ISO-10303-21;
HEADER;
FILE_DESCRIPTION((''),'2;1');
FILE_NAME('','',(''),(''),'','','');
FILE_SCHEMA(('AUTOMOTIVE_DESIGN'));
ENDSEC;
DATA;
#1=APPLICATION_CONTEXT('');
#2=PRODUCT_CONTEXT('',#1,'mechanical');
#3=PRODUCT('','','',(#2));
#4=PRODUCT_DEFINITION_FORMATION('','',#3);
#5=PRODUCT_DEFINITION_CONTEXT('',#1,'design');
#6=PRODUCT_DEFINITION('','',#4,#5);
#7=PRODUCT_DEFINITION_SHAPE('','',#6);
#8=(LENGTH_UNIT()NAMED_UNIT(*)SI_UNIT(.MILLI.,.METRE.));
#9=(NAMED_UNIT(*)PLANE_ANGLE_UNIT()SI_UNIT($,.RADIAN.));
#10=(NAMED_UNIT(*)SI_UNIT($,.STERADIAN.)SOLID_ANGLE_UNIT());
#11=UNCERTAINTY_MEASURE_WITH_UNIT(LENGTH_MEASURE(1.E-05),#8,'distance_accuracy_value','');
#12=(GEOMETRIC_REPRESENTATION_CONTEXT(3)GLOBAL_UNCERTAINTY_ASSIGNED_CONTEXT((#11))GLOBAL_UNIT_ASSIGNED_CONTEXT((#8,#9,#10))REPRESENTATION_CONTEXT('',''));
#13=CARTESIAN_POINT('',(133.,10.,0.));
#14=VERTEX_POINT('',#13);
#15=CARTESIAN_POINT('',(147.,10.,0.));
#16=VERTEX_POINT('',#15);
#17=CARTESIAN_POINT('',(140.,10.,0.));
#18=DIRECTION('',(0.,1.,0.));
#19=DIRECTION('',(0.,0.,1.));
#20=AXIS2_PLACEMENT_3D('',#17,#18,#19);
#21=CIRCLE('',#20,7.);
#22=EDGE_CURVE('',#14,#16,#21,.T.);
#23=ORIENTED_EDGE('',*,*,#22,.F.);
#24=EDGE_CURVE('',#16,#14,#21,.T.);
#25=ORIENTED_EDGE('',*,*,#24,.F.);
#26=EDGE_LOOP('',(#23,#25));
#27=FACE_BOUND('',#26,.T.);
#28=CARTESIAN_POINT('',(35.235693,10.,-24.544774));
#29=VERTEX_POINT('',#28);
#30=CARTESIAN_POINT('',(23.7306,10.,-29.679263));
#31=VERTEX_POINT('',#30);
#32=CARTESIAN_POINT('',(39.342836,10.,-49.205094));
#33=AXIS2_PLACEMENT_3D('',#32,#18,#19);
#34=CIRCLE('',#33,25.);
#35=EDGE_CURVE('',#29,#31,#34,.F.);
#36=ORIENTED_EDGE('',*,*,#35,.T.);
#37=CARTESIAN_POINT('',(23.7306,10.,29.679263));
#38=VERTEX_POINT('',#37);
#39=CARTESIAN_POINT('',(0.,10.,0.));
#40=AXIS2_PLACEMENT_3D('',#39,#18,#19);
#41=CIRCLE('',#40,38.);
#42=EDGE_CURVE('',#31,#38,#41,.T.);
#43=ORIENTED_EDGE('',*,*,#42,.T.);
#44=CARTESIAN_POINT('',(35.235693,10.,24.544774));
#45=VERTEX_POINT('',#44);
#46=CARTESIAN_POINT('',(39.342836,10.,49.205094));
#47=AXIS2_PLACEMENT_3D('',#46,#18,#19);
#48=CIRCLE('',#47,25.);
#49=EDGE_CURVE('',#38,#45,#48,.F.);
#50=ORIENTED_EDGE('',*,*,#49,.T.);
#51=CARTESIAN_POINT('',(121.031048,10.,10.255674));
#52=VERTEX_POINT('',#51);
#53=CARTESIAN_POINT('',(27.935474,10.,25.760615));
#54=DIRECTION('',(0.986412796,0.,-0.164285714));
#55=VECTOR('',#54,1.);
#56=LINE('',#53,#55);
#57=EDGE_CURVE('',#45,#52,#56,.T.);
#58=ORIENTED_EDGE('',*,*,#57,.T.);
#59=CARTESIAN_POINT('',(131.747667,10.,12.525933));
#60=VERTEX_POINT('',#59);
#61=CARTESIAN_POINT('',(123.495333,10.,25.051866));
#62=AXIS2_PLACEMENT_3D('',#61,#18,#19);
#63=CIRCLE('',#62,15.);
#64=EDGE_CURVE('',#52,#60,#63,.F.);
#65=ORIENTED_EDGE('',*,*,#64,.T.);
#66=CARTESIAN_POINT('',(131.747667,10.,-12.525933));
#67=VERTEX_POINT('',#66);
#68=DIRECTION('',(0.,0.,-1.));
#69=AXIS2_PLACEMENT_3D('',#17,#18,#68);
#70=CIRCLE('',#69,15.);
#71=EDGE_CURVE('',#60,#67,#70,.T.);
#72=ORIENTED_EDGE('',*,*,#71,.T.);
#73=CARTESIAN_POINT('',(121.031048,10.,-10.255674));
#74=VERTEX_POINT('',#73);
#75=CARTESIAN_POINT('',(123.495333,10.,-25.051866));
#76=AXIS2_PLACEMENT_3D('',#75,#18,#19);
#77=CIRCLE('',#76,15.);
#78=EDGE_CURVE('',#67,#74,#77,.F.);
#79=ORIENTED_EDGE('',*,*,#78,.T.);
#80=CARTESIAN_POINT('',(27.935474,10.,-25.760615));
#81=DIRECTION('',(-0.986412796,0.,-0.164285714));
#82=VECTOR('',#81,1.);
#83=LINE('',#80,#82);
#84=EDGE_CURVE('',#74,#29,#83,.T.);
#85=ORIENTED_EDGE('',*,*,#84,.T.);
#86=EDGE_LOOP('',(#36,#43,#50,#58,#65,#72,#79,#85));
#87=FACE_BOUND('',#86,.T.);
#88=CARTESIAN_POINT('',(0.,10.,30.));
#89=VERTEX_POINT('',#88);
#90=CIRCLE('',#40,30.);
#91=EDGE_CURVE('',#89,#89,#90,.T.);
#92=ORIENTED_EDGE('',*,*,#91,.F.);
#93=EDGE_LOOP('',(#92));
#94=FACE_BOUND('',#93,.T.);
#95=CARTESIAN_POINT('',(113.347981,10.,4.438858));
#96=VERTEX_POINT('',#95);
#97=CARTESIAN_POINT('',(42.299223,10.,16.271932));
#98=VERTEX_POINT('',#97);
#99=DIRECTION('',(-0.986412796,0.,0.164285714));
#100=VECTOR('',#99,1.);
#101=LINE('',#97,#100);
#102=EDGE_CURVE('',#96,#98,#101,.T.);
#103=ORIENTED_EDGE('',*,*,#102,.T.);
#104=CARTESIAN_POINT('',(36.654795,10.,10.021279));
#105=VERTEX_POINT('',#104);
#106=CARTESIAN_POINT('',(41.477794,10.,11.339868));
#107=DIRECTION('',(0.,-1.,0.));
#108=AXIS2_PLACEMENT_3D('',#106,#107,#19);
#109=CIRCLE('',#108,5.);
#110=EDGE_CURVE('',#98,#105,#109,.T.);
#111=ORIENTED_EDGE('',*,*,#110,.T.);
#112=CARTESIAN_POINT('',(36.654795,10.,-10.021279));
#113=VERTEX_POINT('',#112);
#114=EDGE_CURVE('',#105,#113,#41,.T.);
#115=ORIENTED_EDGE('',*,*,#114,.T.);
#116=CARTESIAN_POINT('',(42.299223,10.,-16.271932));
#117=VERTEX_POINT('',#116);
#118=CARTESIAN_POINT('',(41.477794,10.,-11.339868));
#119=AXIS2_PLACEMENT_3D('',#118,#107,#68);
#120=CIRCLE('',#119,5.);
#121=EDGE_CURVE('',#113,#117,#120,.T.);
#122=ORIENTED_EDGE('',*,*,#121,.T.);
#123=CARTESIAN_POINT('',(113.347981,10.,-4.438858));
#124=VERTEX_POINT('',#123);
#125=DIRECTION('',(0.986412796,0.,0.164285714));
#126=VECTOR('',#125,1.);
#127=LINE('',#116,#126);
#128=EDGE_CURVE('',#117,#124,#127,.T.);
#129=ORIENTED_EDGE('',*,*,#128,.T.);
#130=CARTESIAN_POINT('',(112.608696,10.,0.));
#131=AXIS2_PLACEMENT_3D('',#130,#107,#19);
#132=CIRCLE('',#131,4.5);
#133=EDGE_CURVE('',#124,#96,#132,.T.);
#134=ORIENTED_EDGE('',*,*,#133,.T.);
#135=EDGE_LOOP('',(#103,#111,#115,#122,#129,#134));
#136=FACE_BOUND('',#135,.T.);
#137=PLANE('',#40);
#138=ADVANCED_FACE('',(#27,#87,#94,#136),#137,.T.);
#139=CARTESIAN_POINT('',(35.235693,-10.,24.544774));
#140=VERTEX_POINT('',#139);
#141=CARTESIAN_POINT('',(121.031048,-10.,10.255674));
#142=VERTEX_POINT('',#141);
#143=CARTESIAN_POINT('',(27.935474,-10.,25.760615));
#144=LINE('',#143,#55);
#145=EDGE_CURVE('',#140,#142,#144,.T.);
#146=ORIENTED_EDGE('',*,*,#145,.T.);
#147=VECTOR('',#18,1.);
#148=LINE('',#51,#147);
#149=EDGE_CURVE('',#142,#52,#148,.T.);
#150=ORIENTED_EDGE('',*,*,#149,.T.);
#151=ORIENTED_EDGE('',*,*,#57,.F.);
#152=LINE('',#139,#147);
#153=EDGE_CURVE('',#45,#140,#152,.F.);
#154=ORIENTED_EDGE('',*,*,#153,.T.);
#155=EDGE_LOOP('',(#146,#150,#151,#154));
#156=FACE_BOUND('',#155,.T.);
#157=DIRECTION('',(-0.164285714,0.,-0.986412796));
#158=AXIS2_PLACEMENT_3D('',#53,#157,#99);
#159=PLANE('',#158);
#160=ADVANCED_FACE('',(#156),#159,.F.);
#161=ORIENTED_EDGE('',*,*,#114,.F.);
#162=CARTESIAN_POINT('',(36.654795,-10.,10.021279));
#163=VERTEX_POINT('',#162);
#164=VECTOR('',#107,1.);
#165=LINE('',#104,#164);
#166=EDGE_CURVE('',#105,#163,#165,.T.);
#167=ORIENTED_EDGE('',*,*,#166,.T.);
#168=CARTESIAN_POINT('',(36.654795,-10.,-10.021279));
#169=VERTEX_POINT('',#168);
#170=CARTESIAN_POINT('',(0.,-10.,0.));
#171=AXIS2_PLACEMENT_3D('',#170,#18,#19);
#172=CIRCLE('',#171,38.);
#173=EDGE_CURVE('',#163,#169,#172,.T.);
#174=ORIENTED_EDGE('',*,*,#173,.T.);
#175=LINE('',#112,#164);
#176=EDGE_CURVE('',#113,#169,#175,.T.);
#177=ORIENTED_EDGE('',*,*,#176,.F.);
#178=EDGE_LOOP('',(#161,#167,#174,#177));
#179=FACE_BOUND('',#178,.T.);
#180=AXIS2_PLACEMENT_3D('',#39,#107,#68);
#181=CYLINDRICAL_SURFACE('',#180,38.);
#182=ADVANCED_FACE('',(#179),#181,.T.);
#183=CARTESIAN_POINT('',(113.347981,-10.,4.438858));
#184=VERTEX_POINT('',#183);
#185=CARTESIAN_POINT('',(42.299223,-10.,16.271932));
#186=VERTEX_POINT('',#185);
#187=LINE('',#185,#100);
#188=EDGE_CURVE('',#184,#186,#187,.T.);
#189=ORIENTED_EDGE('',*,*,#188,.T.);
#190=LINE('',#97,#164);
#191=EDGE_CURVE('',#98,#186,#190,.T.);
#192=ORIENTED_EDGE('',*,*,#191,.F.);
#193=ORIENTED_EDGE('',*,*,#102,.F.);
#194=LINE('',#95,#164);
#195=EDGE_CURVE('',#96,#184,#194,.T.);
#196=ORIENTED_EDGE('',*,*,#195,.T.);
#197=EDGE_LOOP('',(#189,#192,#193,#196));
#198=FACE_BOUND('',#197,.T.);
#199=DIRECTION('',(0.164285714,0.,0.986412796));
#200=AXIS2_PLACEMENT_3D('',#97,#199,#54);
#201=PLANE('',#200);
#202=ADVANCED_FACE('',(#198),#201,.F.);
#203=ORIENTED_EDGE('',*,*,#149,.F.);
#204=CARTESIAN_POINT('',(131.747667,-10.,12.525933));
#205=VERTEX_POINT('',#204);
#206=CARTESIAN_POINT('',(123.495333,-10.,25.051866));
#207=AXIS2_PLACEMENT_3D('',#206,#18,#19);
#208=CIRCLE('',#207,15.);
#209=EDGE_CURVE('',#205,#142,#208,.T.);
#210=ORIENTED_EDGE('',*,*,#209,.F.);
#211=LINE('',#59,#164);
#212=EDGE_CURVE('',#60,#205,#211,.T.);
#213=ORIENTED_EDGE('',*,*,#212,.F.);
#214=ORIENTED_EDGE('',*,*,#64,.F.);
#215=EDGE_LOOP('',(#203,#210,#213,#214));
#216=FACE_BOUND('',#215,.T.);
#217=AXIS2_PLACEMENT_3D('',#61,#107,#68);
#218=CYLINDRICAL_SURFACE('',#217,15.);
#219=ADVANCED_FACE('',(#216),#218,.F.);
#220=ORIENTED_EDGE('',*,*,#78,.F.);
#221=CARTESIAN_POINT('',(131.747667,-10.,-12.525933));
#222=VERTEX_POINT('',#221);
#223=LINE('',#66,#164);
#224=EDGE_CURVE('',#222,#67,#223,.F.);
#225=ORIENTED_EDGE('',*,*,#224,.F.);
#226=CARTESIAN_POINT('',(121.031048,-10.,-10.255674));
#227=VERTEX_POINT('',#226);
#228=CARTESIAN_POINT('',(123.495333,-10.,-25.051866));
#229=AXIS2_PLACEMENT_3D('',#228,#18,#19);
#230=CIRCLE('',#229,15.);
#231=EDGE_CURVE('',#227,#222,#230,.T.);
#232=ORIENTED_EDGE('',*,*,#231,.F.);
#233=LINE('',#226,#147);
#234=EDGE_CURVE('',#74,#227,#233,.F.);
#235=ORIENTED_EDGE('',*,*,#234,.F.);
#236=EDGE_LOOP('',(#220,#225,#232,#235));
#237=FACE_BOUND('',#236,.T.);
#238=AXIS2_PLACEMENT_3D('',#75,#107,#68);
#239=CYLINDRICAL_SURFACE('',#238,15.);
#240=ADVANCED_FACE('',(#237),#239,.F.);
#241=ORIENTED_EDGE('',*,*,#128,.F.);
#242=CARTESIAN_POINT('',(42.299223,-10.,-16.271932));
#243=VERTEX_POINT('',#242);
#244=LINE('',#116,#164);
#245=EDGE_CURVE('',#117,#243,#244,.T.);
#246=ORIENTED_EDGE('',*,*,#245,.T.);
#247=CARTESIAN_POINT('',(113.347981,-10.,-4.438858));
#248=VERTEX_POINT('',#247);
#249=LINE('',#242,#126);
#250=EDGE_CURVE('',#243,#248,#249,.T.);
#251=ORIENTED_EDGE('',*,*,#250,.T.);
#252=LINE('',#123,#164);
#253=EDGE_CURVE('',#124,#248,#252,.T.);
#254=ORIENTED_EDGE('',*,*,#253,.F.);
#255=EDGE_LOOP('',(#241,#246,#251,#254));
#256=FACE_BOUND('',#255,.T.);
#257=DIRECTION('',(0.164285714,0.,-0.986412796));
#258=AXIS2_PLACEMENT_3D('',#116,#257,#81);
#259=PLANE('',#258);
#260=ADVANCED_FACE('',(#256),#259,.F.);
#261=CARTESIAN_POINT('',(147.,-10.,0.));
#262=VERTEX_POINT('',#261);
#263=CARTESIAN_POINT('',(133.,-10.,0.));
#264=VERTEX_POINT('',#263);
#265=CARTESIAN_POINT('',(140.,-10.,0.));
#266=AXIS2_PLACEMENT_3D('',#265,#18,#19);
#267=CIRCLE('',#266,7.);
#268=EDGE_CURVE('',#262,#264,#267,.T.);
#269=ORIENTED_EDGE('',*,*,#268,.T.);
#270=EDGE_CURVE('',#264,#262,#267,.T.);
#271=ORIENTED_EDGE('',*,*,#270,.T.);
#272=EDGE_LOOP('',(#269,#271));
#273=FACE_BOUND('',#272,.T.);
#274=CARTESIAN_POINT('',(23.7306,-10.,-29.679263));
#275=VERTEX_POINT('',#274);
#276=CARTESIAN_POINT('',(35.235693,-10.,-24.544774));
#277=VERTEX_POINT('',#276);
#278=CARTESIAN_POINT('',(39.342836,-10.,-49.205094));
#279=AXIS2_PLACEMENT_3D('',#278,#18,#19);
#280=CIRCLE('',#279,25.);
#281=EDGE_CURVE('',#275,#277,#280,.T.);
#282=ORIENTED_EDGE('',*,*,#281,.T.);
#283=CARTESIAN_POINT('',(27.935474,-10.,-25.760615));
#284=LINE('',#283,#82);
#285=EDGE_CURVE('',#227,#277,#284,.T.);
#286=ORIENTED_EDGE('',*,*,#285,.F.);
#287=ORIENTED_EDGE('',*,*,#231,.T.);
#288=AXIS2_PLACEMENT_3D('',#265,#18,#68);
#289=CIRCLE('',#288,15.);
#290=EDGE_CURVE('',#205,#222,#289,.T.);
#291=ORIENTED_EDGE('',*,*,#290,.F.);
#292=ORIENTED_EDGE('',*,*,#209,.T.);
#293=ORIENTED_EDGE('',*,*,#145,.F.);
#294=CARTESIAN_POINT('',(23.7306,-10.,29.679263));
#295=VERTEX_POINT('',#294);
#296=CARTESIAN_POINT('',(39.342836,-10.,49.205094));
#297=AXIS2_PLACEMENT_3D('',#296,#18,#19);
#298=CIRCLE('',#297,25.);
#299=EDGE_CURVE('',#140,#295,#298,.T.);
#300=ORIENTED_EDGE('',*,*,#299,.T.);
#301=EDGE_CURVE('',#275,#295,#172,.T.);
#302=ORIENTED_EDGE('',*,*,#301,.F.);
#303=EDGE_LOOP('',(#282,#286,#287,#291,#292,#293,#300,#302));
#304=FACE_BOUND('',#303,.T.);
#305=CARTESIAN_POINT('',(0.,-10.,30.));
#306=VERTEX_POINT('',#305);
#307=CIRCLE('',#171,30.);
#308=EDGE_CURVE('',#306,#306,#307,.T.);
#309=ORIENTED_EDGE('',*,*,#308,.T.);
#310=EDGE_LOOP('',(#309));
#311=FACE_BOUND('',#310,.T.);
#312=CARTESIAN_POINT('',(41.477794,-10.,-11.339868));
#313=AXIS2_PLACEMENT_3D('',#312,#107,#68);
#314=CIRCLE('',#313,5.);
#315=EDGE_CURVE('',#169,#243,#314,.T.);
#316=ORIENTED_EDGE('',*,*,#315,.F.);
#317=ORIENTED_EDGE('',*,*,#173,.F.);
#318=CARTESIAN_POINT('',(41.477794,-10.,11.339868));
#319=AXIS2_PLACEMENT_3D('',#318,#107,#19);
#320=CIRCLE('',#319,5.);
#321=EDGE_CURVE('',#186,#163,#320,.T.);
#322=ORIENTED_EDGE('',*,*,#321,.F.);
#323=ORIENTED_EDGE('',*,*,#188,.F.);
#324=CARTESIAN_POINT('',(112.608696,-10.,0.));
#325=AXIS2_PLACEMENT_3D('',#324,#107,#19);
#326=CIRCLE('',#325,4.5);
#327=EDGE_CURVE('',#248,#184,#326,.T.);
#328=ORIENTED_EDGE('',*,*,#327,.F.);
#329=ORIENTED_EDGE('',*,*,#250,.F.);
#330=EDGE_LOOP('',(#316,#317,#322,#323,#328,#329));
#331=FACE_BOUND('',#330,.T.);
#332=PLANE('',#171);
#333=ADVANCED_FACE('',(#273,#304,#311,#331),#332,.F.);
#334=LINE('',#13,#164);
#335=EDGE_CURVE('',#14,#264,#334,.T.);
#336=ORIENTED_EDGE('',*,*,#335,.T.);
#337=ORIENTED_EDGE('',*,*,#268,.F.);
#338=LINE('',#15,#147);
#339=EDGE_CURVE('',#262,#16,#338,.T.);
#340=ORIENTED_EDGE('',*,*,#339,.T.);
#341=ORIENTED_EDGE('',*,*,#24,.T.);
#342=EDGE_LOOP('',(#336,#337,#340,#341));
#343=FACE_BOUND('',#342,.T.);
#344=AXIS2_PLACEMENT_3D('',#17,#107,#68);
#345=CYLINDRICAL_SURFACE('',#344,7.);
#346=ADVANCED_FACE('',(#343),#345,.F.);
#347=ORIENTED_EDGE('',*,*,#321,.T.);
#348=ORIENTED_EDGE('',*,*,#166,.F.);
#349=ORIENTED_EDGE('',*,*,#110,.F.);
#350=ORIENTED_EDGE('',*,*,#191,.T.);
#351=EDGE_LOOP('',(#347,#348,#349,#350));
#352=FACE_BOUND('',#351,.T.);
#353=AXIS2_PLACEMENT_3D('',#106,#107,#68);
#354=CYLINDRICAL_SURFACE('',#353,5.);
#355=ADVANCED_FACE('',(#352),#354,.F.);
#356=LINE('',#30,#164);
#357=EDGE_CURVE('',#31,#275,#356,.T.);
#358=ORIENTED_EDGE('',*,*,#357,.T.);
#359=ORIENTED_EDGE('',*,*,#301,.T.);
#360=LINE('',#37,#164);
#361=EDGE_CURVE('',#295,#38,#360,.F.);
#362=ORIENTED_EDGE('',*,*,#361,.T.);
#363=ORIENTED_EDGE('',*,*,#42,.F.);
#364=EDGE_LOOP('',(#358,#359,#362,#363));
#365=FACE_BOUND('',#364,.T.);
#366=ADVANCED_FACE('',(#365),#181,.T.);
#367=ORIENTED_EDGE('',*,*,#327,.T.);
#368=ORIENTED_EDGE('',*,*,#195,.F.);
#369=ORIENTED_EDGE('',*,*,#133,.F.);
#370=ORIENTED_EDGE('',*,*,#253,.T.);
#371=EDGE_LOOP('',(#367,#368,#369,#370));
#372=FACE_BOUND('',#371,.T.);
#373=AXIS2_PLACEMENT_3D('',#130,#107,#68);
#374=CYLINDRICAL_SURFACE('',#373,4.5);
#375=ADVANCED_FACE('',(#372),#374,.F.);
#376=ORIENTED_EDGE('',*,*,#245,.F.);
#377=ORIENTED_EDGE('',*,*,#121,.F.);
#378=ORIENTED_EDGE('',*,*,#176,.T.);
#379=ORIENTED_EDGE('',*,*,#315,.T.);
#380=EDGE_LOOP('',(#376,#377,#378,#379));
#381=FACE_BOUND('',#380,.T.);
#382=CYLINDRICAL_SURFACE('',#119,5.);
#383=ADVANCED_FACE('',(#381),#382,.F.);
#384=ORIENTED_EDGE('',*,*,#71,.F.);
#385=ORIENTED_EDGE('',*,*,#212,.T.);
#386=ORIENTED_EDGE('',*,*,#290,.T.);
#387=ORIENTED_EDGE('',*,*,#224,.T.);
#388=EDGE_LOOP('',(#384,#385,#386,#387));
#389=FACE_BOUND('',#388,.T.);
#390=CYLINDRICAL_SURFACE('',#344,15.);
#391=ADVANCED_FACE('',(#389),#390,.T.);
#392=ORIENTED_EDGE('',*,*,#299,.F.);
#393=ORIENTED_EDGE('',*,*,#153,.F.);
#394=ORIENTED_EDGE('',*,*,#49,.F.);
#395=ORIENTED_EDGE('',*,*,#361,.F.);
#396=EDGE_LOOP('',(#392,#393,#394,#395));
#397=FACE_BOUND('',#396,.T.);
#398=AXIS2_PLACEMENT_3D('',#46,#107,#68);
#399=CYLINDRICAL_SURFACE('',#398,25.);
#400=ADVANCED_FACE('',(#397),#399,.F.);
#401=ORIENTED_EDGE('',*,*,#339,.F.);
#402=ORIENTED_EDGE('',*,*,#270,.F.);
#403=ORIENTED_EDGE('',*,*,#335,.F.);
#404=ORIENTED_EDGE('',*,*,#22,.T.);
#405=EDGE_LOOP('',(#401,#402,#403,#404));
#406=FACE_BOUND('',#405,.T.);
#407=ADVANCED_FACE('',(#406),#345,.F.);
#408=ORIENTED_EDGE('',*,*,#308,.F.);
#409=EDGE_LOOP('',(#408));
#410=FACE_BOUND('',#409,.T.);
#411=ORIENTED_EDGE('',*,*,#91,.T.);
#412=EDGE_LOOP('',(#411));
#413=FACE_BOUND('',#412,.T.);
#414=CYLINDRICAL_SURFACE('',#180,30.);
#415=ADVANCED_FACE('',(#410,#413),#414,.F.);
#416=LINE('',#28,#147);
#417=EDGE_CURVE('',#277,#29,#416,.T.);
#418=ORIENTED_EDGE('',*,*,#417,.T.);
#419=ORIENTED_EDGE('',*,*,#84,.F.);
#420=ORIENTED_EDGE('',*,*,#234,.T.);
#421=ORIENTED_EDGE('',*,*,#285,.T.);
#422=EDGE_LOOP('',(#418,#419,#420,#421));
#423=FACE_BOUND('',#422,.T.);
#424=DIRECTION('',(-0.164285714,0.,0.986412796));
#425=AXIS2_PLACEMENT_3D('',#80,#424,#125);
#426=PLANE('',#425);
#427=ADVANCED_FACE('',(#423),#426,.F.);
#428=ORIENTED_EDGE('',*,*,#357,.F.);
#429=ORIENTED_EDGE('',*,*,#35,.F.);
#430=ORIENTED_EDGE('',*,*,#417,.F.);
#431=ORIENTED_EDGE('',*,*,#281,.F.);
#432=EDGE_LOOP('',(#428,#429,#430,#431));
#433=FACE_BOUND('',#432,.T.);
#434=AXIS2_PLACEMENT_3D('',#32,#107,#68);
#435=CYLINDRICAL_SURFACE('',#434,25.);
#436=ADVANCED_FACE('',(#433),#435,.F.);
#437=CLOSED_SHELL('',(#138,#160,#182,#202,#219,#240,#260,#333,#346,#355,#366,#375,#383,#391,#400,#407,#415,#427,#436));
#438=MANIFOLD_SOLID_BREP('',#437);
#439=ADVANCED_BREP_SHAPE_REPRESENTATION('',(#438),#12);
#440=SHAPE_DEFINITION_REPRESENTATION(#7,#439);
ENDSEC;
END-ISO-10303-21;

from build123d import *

# Parameters (mm, degrees)
SKETCH1_R           = 30
SKETCH1_R_2         = 7
BOSS_EXTRUDE1_DEPTH = 10
FILLET1_R           = 15
FILLET2_R           = 25
CUT_EXTRUDE1_DEPTH  = 21


with BuildPart() as part:
    # Sketch1 → Boss-Extrude1 (new body, symmetric)
    with BuildSketch(Plane(origin=(0, 0, 0), x_dir=(1, 0, 0), z_dir=(0, 1, 0))):
        with BuildLine():
            Line((27.935473676, 25.760615491), (128.063755469, 9.084385863))
            ThreePointArc((128.063755469, 9.084385863), (155, 0), (128.063755469, -9.084385863))
            Line((128.063755469, -9.084385863), (27.935473676, -25.760615491))
            ThreePointArc((27.935473676, -25.760615491), (-38, 0), (27.935473676, 25.760615491))
        make_face()
        Circle(SKETCH1_R, mode=Mode.SUBTRACT)
        with Locations((140, 0)):
            Circle(SKETCH1_R_2, mode=Mode.SUBTRACT)
    extrude(amount=BOSS_EXTRUDE1_DEPTH, both=True)

    # Fillet1
    fillet1_edges = [part.edges().sort_by_distance(p)[0] for p in [
        (128.063755469, 0, -9.084385863),
        (128.063755469, 0, 9.084385863),
    ]]
    fillet(fillet1_edges, radius=FILLET1_R)

    # Fillet2
    fillet2_edges = [part.edges().sort_by_distance(p)[0] for p in [
        (27.935473676, 0, -25.760615491),
        (27.935473676, 0, 25.760615491),
    ]]
    fillet(fillet2_edges, radius=FILLET2_R)

    # Sketch2 → Cut-Extrude1 (cut, through all)
    with BuildSketch(Plane.XZ.offset(10)):
        with BuildLine():
            Line((42.299222529, 16.271932074), (113.347981366, 4.438857582))
            ThreePointArc((113.347981366, 4.438857582), (117.108695652, 0), (113.347981366, -4.438857582))
            Line((113.347981366, -4.438857582), (42.299222529, -16.271932074))
            ThreePointArc((42.299222529, -16.271932074), (37.766889928, -14.690866644), (36.65479466, -10.021278781))
            ThreePointArc((36.65479466, -10.021278781), (38, 0), (36.65479466, 10.021278781))
            ThreePointArc((36.65479466, 10.021278781), (37.766889928, 14.690866644), (42.299222529, 16.271932074))
        make_face()
    extrude(amount=-CUT_EXTRUDE1_DEPTH, mode=Mode.SUBTRACT)


solid = part.part
